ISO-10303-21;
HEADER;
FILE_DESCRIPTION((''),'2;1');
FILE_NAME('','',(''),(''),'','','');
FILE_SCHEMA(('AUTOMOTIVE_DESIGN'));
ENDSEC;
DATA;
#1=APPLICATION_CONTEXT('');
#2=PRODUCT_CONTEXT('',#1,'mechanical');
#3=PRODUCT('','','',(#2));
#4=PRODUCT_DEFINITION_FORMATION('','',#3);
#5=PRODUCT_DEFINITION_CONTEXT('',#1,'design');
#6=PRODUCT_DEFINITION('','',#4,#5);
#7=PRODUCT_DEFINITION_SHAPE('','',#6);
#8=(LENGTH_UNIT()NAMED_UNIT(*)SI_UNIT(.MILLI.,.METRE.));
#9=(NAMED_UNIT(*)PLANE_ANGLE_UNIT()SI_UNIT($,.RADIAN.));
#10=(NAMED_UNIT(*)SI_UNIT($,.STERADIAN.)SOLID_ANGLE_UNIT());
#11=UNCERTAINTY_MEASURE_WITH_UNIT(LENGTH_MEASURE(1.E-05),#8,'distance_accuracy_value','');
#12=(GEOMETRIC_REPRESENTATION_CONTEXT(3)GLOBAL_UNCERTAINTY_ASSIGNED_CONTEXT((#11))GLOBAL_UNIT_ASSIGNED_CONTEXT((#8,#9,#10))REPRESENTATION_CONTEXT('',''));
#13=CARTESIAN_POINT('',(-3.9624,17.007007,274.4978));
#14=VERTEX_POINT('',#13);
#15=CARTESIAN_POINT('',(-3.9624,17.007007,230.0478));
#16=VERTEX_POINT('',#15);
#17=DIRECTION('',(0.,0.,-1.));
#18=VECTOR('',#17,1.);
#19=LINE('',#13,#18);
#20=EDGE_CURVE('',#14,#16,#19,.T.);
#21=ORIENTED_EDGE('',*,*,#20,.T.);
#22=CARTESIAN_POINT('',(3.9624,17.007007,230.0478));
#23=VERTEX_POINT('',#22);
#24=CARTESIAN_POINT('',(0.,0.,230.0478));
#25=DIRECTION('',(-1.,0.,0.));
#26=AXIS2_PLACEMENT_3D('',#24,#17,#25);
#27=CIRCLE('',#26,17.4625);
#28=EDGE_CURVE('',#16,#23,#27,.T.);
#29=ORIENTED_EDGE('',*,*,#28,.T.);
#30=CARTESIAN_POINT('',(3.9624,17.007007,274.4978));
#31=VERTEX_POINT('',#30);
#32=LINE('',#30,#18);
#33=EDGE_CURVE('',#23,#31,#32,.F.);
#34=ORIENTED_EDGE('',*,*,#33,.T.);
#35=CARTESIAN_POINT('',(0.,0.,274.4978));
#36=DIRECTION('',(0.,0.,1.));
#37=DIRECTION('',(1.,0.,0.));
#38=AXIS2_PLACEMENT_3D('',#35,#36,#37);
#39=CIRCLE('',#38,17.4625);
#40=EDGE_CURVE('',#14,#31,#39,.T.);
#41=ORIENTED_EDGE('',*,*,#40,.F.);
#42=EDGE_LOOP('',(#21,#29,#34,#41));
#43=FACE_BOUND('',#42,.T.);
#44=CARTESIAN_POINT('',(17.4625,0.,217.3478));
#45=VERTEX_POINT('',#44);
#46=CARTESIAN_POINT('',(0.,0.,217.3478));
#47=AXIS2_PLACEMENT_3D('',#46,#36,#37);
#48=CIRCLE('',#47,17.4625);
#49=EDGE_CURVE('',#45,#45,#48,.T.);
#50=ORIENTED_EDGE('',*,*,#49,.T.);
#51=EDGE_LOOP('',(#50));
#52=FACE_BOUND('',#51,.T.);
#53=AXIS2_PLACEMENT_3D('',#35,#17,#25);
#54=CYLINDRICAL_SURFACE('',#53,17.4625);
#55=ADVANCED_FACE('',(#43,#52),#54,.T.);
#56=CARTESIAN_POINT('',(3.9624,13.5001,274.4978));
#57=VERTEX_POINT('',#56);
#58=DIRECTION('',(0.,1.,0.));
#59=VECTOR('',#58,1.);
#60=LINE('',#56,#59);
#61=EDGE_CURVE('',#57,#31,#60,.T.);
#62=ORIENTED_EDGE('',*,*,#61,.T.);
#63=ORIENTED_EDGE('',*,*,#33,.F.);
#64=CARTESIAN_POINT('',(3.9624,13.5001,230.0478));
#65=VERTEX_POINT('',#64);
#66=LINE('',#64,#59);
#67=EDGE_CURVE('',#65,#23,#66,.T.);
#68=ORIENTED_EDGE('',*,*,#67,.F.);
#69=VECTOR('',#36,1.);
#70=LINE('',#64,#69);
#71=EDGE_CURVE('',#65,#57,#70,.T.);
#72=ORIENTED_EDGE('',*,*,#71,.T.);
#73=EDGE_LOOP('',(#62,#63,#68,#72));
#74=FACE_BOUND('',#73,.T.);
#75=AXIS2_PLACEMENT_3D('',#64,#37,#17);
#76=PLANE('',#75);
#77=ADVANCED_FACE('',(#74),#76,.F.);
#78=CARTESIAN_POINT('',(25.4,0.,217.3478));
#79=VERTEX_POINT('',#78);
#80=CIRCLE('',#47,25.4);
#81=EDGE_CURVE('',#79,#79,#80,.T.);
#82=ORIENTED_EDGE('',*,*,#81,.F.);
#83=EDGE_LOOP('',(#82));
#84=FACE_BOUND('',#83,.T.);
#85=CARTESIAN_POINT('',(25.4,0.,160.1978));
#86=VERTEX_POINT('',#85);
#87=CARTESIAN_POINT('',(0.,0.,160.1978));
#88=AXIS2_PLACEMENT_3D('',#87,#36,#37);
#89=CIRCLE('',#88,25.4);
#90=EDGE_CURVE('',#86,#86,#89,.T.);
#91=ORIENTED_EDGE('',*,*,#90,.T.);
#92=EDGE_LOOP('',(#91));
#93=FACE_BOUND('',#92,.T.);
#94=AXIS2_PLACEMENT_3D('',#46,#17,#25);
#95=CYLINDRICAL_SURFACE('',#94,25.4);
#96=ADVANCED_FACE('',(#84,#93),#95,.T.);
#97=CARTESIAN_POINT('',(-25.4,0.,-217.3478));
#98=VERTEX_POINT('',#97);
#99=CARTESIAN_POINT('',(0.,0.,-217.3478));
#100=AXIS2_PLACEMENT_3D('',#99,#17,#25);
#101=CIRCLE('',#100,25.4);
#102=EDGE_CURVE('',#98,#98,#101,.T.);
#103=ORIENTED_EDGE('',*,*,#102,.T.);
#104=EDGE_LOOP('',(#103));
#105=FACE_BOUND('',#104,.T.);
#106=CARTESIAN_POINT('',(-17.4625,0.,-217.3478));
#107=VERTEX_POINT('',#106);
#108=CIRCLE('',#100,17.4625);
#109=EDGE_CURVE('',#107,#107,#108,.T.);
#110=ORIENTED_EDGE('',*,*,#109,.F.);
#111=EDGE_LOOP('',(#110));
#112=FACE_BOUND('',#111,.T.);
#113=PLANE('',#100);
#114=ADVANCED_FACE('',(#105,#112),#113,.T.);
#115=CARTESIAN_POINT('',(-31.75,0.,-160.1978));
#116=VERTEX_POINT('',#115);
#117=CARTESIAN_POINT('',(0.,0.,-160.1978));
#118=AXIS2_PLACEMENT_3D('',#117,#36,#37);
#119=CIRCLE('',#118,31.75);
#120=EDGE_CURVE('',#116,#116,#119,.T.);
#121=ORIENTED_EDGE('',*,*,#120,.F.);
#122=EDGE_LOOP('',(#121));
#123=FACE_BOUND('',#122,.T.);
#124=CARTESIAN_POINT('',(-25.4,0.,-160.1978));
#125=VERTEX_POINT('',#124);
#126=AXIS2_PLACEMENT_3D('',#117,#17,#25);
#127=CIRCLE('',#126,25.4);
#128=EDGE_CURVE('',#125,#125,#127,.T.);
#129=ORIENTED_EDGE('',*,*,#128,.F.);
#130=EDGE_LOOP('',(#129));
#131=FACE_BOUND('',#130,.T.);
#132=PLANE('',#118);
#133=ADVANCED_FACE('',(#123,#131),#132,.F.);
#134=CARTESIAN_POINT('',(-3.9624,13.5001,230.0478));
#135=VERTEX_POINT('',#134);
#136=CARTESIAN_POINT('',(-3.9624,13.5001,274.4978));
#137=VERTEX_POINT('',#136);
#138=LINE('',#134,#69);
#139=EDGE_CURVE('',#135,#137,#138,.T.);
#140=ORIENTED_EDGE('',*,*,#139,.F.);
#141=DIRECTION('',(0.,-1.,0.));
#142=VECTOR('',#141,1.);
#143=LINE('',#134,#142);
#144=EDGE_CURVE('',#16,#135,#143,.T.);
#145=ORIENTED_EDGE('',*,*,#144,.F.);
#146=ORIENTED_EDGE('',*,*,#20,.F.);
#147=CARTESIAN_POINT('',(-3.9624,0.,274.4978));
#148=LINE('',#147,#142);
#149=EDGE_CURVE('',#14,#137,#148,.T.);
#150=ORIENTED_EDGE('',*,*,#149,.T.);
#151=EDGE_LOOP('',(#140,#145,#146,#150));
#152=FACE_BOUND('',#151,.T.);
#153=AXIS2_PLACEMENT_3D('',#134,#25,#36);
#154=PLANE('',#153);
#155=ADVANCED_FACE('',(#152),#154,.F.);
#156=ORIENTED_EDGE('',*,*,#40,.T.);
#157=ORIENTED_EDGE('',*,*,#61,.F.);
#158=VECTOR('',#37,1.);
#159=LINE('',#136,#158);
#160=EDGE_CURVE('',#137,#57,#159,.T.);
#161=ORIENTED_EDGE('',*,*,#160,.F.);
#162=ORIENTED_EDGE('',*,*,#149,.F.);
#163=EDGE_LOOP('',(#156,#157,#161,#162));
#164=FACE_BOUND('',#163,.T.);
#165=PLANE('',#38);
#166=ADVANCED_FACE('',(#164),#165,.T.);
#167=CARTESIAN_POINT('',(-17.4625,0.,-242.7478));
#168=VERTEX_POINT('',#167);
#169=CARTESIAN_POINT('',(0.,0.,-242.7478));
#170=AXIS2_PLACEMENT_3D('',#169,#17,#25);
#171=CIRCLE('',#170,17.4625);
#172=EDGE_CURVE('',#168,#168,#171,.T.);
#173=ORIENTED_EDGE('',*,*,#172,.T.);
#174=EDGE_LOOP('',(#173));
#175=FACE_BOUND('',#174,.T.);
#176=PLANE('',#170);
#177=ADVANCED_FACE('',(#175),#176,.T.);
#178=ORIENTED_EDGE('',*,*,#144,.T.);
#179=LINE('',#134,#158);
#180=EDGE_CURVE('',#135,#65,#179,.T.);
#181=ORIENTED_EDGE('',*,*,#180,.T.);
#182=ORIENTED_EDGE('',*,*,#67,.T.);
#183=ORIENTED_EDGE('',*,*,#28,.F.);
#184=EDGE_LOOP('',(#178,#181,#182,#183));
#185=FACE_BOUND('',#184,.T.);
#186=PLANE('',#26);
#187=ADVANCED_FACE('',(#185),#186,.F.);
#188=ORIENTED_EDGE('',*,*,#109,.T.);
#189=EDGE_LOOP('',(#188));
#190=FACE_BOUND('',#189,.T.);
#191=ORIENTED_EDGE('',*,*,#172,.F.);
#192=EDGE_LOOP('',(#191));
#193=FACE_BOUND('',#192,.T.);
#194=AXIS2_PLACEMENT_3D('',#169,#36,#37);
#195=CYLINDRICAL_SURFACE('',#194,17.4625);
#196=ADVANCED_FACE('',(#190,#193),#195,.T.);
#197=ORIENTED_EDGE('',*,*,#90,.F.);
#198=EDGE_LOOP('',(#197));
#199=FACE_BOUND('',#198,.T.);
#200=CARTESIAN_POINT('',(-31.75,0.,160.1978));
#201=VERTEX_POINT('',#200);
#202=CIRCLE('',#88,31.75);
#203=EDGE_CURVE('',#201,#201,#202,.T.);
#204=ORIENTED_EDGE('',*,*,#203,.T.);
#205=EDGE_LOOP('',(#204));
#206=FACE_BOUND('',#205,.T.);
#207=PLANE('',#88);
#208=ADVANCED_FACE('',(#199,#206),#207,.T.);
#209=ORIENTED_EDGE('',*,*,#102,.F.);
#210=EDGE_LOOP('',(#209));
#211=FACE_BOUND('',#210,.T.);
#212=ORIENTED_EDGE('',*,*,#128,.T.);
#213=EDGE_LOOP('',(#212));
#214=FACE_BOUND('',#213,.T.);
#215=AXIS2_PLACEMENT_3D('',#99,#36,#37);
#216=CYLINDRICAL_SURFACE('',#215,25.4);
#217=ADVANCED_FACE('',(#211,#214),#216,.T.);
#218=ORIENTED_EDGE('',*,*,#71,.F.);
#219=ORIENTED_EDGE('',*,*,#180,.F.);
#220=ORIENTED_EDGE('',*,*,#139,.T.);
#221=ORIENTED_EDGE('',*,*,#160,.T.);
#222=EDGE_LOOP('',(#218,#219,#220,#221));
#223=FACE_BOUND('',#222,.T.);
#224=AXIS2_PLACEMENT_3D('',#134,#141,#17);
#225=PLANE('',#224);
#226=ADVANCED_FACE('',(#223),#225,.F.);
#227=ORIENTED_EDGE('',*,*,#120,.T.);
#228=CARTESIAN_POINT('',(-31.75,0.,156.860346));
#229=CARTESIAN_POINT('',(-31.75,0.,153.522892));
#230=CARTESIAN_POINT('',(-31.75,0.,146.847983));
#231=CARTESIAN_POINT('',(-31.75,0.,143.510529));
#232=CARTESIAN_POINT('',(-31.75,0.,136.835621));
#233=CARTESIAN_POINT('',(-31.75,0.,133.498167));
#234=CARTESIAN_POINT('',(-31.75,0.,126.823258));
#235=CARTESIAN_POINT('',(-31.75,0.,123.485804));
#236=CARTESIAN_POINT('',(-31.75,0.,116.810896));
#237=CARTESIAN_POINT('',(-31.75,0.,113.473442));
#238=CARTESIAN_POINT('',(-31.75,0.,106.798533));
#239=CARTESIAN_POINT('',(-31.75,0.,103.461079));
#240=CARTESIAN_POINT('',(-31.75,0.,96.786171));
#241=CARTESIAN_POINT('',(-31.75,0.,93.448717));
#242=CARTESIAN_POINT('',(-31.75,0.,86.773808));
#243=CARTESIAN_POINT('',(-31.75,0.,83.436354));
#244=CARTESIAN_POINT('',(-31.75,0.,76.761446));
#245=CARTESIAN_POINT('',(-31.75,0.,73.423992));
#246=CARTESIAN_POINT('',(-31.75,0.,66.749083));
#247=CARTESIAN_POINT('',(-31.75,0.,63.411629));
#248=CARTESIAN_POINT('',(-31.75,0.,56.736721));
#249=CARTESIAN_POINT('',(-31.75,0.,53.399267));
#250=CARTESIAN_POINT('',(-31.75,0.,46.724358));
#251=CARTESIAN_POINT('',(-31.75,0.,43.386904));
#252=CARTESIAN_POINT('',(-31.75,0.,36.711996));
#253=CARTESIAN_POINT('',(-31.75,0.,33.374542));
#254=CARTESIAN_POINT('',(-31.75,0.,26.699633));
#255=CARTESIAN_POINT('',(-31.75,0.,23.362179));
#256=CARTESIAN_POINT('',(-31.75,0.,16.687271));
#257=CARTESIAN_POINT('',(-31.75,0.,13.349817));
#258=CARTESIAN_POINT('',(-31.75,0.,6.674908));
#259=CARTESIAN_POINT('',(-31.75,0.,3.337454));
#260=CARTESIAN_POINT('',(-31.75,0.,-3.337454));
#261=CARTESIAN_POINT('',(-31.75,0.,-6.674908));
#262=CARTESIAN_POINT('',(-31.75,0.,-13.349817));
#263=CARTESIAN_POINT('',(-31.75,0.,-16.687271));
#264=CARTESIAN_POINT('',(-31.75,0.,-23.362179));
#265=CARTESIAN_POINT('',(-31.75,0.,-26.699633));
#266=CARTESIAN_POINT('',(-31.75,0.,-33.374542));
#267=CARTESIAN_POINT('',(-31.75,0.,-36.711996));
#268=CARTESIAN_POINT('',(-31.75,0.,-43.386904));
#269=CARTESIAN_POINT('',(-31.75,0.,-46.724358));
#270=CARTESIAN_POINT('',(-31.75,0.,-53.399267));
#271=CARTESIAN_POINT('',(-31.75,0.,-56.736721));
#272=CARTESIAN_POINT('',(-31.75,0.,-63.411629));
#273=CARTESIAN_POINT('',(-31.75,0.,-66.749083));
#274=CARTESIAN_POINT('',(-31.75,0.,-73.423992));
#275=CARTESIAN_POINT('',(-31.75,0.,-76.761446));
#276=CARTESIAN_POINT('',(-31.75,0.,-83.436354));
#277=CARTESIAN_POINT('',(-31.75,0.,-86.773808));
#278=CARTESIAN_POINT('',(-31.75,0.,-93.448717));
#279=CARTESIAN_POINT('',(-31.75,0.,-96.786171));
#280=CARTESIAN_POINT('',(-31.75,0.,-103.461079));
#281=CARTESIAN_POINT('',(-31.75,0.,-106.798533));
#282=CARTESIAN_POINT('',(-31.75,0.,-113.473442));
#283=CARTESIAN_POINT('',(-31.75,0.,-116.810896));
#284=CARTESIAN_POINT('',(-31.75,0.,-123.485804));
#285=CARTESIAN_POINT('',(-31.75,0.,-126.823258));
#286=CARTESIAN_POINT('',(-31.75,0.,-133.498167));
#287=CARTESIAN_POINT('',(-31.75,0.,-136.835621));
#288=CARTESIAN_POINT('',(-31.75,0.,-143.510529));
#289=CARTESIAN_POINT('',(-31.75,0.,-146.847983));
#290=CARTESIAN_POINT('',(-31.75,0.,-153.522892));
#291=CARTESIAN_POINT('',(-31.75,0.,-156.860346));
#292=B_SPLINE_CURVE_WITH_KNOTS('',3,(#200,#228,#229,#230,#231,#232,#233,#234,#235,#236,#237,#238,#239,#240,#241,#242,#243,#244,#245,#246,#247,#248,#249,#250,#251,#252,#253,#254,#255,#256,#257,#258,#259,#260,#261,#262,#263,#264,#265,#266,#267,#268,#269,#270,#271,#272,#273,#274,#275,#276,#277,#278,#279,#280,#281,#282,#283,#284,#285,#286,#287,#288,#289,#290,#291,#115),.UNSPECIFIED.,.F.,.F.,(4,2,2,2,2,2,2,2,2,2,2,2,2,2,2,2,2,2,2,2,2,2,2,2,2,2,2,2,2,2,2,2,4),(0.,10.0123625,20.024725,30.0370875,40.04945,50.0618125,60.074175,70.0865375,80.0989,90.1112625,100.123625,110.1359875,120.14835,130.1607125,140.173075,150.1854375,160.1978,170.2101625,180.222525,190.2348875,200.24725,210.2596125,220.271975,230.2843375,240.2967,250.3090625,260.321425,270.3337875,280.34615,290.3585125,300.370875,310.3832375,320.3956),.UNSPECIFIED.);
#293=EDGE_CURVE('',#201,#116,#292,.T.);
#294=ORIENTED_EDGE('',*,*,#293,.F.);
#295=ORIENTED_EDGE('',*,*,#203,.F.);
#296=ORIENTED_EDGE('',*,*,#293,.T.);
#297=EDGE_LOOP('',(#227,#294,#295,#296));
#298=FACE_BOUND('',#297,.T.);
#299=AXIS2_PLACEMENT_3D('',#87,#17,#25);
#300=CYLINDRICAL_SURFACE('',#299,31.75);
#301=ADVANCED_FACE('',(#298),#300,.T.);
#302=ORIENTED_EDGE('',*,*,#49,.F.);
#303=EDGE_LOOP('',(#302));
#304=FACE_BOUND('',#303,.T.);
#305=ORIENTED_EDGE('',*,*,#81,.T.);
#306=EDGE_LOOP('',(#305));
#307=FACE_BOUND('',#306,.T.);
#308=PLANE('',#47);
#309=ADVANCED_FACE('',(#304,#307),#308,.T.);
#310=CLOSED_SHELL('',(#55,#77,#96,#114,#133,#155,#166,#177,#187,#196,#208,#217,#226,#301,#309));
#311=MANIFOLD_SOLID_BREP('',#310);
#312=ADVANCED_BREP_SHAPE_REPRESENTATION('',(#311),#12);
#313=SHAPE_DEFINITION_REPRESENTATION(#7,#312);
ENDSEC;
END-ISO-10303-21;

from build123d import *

# Parameters (mm, degrees)
SKETCH1_R           = 31.75
BOSS_EXTRUDE1_DEPTH = 160.1978
SKETCH2_R           = 25.4
BOSS_EXTRUDE2_DEPTH = 57.15
BOSS_EXTRUDE3_START = 57.15
SKETCH3_R           = 25.4
BOSS_EXTRUDE3_DEPTH = 57.15
SKETCH5_R           = 17.4625
BOSS_EXTRUDE5_DEPTH = 25.4
BOSS_EXTRUDE6_START = 57.15
SKETCH18_R          = 17.4625
BOSS_EXTRUDE6_DEPTH = 57.15
SKETCH20_W          = 7.9248
SKETCH20_H          = 7.9248
CUT_EXTRUDE1_DEPTH  = 44.45


with BuildPart() as part:
    # Sketch1 → Boss-Extrude1 (new, symmetric)
    with BuildSketch(Plane.XY):
        with Locations(Location((0, 0, 0), (0, 0, 180))):
            Circle(SKETCH1_R)
    extrude(amount=BOSS_EXTRUDE1_DEPTH, both=True)

    # Sketch2 → Boss-Extrude2 (add)
    with BuildSketch(Plane.XY.offset(160.1978)):
        Circle(SKETCH2_R)
    extrude(amount=BOSS_EXTRUDE2_DEPTH)

    # Sketch3 → Boss-Extrude3 (add)
    with BuildSketch(Plane(origin=(0, 0, -160.1978), x_dir=(-1, 0, 0), z_dir=(0, 0, -1)).offset(BOSS_EXTRUDE3_START)):
        with Locations(Location((0, 0, 0), (0, 0, 180))):
            Circle(SKETCH3_R)
    extrude(amount=-BOSS_EXTRUDE3_DEPTH)

    # Sketch5 → Boss-Extrude5 (add)
    with BuildSketch(Plane(origin=(0, 0, -217.3478), x_dir=(-1, 0, 0), z_dir=(0, 0, -1))):
        Circle(SKETCH5_R)
    extrude(amount=BOSS_EXTRUDE5_DEPTH)

    # Sketch18 → Boss-Extrude6 (add)
    with BuildSketch(Plane.XY.offset(217.3478).offset(BOSS_EXTRUDE6_START)):
        with Locations(Location((0, 0, 0), (0, 0, 180))):
            Circle(SKETCH18_R)
    extrude(amount=-BOSS_EXTRUDE6_DEPTH)

    # Sketch20 → Cut-Extrude1 (cut)
    with BuildSketch(Plane.XY.offset(274.4978)):
        with Locations((0, 17.4625)):
            Rectangle(SKETCH20_W, SKETCH20_H)
    extrude(amount=-CUT_EXTRUDE1_DEPTH, mode=Mode.SUBTRACT)


solid = part.part
